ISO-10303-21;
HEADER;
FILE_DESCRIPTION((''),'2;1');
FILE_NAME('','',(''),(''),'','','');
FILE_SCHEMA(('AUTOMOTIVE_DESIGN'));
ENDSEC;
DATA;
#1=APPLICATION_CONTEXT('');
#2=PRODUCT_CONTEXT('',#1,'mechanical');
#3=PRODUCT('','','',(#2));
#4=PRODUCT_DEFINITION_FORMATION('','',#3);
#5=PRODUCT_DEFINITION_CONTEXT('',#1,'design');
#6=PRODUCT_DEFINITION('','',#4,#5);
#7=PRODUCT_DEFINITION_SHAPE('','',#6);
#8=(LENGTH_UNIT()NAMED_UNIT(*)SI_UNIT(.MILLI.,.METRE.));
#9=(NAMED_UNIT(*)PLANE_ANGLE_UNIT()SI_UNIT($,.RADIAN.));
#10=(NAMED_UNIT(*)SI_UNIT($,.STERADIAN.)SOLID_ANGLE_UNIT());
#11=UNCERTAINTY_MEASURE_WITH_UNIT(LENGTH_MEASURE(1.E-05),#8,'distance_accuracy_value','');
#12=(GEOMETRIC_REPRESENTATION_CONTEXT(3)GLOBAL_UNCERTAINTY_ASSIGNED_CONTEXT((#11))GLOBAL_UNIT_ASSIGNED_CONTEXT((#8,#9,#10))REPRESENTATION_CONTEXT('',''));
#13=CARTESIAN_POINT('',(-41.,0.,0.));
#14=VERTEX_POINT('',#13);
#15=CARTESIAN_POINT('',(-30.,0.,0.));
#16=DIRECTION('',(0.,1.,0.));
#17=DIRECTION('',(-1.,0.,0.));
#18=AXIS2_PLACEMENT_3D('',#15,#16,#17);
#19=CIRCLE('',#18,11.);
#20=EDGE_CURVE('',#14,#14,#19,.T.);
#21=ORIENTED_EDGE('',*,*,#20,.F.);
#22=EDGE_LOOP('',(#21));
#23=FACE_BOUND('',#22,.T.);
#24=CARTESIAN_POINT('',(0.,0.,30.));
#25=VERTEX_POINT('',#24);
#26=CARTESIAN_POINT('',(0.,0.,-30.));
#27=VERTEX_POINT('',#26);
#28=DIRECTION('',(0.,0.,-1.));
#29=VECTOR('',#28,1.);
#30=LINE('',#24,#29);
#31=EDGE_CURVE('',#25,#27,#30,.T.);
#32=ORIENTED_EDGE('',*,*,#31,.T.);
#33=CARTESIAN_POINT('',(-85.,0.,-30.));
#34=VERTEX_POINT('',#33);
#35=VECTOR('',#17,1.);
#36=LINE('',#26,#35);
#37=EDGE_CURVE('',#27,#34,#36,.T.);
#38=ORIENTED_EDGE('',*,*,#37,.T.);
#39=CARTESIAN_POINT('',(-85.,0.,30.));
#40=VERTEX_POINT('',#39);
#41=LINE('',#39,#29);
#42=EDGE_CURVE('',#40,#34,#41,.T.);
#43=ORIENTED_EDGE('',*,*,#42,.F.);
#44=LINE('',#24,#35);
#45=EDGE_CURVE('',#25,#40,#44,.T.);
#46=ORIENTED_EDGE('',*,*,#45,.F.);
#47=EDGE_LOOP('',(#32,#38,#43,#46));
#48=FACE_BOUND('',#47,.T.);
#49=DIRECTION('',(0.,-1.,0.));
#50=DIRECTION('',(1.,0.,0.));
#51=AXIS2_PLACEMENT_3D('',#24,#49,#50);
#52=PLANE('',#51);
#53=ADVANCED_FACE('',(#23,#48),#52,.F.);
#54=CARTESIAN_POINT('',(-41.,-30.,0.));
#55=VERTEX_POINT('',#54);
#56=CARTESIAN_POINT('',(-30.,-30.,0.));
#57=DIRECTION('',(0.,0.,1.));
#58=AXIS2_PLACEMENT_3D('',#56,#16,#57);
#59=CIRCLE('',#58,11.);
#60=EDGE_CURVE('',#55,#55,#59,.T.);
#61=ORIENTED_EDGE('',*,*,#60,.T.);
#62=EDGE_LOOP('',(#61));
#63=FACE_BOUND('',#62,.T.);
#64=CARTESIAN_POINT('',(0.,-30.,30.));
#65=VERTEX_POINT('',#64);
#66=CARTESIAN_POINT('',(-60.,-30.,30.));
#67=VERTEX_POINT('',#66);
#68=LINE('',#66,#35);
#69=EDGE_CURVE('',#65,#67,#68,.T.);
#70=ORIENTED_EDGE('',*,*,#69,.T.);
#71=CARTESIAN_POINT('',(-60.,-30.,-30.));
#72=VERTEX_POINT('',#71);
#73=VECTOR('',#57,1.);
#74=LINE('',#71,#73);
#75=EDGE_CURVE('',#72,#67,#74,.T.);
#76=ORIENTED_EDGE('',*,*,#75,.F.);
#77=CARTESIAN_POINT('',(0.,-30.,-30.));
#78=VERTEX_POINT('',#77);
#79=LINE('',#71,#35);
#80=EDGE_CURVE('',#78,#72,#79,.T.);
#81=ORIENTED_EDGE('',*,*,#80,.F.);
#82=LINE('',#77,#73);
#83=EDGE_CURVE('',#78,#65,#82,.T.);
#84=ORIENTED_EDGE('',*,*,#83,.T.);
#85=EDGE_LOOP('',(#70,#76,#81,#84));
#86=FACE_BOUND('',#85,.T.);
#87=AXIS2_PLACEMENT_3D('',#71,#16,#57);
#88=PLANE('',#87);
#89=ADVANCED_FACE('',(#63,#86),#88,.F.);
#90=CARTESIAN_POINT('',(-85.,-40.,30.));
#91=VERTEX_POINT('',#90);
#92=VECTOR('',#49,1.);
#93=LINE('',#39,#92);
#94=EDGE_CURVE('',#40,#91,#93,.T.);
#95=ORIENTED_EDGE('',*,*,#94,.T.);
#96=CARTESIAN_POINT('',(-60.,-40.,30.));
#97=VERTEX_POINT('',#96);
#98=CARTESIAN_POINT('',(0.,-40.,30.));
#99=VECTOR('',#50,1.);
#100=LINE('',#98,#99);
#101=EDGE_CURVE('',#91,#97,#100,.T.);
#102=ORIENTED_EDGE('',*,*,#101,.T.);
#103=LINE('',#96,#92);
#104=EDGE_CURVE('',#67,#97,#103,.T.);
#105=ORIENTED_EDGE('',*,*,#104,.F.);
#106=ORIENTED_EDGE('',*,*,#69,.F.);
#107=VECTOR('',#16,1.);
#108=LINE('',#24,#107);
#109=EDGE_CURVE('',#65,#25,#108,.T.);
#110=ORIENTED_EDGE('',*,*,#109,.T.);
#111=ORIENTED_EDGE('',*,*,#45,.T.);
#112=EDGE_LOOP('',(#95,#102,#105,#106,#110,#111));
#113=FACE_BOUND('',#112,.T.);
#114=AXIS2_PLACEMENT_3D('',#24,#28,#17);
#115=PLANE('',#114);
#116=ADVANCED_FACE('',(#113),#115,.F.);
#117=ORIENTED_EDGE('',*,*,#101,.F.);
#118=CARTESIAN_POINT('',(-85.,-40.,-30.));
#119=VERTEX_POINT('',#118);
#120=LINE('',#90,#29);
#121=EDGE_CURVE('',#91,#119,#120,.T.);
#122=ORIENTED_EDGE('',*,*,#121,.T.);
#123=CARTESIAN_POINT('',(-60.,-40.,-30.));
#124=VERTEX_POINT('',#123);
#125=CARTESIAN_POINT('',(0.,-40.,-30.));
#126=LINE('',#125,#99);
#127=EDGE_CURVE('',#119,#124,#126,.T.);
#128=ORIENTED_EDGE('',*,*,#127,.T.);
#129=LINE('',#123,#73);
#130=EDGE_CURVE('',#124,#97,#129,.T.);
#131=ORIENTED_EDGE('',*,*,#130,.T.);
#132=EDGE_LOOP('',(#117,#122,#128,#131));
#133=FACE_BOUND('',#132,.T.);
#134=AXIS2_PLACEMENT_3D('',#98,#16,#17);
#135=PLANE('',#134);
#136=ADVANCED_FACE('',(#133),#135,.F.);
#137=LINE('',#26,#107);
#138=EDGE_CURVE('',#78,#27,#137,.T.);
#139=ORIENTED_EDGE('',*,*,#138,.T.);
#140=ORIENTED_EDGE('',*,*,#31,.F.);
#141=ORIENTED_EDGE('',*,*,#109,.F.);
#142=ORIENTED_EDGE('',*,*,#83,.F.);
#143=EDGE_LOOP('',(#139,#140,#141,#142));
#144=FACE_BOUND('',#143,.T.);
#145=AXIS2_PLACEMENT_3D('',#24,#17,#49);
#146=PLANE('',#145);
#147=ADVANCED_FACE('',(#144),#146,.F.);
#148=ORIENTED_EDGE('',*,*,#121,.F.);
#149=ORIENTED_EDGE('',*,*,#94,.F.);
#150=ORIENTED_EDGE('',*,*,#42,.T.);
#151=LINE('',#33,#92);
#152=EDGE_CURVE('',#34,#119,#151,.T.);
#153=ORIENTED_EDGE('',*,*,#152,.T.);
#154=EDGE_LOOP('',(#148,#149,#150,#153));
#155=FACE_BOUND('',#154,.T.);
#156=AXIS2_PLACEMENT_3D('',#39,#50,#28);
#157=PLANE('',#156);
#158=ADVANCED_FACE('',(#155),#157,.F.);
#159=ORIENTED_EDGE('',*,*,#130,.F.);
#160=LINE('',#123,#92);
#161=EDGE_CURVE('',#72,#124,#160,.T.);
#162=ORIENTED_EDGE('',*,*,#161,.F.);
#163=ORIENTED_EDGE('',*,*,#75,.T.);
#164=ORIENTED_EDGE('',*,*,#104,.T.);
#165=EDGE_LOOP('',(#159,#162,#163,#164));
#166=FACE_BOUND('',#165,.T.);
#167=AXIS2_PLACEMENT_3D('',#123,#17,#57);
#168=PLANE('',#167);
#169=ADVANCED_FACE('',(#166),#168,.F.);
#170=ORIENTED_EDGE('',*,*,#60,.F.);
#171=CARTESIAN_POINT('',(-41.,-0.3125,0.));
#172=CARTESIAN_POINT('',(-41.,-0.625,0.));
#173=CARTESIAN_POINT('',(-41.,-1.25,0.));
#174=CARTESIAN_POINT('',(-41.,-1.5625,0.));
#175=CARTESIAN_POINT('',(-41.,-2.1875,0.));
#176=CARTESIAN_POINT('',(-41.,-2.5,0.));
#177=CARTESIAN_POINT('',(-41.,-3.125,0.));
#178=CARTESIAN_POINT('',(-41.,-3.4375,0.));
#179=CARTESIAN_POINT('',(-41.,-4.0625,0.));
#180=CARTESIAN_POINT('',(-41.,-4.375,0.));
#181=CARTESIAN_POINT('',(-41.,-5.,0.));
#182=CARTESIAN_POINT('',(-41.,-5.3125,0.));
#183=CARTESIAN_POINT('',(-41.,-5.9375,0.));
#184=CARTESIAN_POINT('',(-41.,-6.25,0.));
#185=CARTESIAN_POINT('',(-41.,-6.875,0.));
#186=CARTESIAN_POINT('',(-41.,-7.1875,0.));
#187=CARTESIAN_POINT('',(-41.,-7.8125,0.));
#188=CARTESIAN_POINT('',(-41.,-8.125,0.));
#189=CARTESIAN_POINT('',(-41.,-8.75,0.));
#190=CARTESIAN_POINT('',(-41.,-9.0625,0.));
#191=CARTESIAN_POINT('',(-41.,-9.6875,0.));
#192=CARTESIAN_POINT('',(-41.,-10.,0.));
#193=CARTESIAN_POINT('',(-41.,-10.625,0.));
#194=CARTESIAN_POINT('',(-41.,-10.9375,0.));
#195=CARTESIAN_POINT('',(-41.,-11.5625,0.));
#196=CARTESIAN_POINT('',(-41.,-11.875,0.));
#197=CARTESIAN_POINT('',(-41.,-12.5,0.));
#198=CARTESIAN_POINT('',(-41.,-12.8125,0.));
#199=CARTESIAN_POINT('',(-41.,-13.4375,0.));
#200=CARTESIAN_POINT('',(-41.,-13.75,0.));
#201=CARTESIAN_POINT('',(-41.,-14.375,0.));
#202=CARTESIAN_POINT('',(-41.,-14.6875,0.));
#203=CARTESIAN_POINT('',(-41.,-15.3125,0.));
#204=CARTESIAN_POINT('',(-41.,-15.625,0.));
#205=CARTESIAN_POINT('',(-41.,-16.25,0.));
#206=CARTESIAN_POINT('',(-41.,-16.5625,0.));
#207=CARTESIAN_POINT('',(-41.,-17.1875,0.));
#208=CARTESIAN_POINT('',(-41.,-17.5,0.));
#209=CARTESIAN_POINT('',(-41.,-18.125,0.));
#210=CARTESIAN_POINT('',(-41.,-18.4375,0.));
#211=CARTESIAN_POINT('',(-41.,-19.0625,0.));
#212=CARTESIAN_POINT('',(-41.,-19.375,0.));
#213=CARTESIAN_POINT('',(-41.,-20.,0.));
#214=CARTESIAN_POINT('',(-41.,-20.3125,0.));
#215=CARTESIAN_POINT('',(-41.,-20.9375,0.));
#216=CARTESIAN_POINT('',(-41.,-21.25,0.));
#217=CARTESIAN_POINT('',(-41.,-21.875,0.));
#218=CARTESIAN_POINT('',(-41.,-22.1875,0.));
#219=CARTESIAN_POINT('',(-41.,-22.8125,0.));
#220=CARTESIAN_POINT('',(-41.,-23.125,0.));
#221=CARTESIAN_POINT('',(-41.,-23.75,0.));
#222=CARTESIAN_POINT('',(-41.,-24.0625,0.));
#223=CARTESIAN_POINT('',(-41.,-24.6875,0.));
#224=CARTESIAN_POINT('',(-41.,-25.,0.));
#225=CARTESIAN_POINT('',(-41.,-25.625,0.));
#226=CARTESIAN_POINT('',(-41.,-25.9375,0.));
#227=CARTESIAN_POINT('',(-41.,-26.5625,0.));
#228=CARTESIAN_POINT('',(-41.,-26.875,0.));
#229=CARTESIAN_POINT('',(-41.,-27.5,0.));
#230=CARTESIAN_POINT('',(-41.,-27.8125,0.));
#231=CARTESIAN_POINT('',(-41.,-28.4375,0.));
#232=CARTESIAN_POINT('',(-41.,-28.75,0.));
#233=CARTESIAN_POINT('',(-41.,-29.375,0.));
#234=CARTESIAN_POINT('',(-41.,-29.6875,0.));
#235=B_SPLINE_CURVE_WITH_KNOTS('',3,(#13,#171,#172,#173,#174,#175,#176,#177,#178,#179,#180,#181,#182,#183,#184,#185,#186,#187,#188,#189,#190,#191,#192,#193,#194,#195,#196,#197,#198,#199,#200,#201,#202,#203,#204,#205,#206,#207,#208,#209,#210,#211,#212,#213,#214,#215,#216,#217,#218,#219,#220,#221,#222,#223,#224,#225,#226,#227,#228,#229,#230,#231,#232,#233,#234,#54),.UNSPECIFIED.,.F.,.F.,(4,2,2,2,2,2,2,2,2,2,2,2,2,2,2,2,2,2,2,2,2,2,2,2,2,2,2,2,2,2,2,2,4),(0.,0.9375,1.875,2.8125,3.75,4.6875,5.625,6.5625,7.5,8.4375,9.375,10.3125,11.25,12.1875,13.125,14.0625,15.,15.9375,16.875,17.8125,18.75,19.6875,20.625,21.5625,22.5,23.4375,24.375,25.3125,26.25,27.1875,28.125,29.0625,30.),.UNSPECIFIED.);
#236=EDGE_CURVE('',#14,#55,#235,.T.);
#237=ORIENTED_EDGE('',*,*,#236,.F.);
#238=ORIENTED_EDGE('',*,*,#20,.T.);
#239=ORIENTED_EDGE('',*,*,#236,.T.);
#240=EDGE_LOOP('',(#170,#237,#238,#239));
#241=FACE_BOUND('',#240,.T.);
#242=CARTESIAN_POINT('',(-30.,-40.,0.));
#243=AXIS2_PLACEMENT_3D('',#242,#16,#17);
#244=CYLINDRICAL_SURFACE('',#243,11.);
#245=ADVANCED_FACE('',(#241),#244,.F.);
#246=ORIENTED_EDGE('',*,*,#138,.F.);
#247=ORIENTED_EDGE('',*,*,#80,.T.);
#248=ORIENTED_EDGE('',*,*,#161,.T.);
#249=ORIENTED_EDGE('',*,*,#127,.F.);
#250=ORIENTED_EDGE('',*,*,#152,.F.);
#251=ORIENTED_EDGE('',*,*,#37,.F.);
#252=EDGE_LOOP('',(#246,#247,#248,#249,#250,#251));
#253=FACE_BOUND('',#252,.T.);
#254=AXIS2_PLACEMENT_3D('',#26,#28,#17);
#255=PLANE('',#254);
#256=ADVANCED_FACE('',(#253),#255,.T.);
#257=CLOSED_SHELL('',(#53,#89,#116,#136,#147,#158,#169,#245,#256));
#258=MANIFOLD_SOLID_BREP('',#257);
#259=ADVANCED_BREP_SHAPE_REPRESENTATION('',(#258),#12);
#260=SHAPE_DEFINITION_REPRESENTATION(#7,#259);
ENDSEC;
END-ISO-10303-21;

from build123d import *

# Parameters (mm, degrees)
SKETCH_1_W          = 85
SKETCH_1_H          = 40
EXTRUDE_1_DEPTH     = 30
SKETCH_2_W          = 60
SKETCH_2_H          = 10
CUT_EXTRUDE_2_DEPTH = 112.467484048
SKETCH_3_R          = 11
CUT_EXTRUDE_3_DEPTH = 99.615414617


with BuildPart() as part:
    # 草图1 → 凸台-拉伸1 (new, symmetric)
    with BuildSketch(Plane.XY):
        with Locations((-42.5, -20)):
            Rectangle(SKETCH_1_W, SKETCH_1_H)
    extrude(amount=EXTRUDE_1_DEPTH, both=True)

    # 草图2 → 切除-拉伸2 (cut, through all)
    with BuildSketch(Plane.XY.offset(30)):
        with Locations((-30, -35)):
            Rectangle(SKETCH_2_W, SKETCH_2_H)
    extrude(amount=-CUT_EXTRUDE_2_DEPTH, mode=Mode.SUBTRACT)

    # 草图3 → 切除-拉伸3 (cut, through all)
    with BuildSketch(Plane(origin=(0, 0, 0), x_dir=(1, 0, 0), z_dir=(0, 1, 0))):
        with Locations(Location((-30, 0, 0), (0, 0, 180))):
            Circle(SKETCH_3_R)
    extrude(amount=-CUT_EXTRUDE_3_DEPTH, mode=Mode.SUBTRACT)


solid = part.part
